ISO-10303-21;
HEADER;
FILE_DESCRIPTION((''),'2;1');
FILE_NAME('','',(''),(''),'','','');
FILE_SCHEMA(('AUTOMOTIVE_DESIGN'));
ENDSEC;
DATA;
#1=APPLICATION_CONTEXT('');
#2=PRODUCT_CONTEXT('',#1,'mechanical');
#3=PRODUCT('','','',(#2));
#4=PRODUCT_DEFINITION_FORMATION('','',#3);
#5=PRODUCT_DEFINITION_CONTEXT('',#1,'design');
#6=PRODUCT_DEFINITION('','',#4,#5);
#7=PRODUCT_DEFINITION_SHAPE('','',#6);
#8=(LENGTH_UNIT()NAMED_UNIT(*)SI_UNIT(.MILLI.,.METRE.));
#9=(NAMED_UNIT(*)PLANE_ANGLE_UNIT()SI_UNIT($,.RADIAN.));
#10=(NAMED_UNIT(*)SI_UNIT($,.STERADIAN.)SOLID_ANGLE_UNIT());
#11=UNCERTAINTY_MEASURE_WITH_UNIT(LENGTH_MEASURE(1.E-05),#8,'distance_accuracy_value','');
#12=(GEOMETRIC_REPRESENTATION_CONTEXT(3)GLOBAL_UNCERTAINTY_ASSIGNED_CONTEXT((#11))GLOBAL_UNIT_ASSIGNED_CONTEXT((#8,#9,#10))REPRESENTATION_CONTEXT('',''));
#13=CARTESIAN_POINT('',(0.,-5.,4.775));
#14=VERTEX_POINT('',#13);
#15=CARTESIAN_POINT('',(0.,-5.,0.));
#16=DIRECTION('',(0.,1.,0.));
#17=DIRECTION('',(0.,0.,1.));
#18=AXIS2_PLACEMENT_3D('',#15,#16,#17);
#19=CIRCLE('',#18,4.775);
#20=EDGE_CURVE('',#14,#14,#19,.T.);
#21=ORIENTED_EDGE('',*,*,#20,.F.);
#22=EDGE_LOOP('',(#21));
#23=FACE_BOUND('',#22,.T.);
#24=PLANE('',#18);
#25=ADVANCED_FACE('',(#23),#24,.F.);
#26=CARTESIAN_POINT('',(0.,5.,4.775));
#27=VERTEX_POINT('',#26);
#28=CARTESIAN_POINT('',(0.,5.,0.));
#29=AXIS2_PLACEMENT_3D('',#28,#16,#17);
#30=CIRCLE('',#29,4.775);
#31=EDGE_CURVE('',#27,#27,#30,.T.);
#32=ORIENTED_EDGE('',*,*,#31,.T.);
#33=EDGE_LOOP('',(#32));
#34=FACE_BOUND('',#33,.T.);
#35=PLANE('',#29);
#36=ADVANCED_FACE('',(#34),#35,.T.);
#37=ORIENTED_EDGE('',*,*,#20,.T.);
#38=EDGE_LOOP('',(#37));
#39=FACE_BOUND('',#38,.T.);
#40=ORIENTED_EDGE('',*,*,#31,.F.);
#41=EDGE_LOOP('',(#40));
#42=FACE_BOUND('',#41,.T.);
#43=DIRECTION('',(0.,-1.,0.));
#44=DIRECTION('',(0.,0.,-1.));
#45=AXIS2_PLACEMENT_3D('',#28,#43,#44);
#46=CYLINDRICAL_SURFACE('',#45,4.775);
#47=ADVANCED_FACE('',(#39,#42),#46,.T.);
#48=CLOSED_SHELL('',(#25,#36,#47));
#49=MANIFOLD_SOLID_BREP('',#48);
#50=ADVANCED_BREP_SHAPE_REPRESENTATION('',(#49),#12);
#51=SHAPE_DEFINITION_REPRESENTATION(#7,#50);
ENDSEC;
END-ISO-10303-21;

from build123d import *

# Parameters (mm, degrees)
SKETCH1_R           = 4.775
BOSS_EXTRUDE1_DEPTH = 5


with BuildPart() as part:
    # Sketch1 → Boss-Extrude1 (new, symmetric)
    with BuildSketch(Plane(origin=(0, 0, 0), x_dir=(1, 0, 0), z_dir=(0, 1, 0))):
        with Locations(Location((0, 0, 0), (0, 0, 270))):
            Circle(SKETCH1_R)
    extrude(amount=BOSS_EXTRUDE1_DEPTH, both=True)


solid = part.part
